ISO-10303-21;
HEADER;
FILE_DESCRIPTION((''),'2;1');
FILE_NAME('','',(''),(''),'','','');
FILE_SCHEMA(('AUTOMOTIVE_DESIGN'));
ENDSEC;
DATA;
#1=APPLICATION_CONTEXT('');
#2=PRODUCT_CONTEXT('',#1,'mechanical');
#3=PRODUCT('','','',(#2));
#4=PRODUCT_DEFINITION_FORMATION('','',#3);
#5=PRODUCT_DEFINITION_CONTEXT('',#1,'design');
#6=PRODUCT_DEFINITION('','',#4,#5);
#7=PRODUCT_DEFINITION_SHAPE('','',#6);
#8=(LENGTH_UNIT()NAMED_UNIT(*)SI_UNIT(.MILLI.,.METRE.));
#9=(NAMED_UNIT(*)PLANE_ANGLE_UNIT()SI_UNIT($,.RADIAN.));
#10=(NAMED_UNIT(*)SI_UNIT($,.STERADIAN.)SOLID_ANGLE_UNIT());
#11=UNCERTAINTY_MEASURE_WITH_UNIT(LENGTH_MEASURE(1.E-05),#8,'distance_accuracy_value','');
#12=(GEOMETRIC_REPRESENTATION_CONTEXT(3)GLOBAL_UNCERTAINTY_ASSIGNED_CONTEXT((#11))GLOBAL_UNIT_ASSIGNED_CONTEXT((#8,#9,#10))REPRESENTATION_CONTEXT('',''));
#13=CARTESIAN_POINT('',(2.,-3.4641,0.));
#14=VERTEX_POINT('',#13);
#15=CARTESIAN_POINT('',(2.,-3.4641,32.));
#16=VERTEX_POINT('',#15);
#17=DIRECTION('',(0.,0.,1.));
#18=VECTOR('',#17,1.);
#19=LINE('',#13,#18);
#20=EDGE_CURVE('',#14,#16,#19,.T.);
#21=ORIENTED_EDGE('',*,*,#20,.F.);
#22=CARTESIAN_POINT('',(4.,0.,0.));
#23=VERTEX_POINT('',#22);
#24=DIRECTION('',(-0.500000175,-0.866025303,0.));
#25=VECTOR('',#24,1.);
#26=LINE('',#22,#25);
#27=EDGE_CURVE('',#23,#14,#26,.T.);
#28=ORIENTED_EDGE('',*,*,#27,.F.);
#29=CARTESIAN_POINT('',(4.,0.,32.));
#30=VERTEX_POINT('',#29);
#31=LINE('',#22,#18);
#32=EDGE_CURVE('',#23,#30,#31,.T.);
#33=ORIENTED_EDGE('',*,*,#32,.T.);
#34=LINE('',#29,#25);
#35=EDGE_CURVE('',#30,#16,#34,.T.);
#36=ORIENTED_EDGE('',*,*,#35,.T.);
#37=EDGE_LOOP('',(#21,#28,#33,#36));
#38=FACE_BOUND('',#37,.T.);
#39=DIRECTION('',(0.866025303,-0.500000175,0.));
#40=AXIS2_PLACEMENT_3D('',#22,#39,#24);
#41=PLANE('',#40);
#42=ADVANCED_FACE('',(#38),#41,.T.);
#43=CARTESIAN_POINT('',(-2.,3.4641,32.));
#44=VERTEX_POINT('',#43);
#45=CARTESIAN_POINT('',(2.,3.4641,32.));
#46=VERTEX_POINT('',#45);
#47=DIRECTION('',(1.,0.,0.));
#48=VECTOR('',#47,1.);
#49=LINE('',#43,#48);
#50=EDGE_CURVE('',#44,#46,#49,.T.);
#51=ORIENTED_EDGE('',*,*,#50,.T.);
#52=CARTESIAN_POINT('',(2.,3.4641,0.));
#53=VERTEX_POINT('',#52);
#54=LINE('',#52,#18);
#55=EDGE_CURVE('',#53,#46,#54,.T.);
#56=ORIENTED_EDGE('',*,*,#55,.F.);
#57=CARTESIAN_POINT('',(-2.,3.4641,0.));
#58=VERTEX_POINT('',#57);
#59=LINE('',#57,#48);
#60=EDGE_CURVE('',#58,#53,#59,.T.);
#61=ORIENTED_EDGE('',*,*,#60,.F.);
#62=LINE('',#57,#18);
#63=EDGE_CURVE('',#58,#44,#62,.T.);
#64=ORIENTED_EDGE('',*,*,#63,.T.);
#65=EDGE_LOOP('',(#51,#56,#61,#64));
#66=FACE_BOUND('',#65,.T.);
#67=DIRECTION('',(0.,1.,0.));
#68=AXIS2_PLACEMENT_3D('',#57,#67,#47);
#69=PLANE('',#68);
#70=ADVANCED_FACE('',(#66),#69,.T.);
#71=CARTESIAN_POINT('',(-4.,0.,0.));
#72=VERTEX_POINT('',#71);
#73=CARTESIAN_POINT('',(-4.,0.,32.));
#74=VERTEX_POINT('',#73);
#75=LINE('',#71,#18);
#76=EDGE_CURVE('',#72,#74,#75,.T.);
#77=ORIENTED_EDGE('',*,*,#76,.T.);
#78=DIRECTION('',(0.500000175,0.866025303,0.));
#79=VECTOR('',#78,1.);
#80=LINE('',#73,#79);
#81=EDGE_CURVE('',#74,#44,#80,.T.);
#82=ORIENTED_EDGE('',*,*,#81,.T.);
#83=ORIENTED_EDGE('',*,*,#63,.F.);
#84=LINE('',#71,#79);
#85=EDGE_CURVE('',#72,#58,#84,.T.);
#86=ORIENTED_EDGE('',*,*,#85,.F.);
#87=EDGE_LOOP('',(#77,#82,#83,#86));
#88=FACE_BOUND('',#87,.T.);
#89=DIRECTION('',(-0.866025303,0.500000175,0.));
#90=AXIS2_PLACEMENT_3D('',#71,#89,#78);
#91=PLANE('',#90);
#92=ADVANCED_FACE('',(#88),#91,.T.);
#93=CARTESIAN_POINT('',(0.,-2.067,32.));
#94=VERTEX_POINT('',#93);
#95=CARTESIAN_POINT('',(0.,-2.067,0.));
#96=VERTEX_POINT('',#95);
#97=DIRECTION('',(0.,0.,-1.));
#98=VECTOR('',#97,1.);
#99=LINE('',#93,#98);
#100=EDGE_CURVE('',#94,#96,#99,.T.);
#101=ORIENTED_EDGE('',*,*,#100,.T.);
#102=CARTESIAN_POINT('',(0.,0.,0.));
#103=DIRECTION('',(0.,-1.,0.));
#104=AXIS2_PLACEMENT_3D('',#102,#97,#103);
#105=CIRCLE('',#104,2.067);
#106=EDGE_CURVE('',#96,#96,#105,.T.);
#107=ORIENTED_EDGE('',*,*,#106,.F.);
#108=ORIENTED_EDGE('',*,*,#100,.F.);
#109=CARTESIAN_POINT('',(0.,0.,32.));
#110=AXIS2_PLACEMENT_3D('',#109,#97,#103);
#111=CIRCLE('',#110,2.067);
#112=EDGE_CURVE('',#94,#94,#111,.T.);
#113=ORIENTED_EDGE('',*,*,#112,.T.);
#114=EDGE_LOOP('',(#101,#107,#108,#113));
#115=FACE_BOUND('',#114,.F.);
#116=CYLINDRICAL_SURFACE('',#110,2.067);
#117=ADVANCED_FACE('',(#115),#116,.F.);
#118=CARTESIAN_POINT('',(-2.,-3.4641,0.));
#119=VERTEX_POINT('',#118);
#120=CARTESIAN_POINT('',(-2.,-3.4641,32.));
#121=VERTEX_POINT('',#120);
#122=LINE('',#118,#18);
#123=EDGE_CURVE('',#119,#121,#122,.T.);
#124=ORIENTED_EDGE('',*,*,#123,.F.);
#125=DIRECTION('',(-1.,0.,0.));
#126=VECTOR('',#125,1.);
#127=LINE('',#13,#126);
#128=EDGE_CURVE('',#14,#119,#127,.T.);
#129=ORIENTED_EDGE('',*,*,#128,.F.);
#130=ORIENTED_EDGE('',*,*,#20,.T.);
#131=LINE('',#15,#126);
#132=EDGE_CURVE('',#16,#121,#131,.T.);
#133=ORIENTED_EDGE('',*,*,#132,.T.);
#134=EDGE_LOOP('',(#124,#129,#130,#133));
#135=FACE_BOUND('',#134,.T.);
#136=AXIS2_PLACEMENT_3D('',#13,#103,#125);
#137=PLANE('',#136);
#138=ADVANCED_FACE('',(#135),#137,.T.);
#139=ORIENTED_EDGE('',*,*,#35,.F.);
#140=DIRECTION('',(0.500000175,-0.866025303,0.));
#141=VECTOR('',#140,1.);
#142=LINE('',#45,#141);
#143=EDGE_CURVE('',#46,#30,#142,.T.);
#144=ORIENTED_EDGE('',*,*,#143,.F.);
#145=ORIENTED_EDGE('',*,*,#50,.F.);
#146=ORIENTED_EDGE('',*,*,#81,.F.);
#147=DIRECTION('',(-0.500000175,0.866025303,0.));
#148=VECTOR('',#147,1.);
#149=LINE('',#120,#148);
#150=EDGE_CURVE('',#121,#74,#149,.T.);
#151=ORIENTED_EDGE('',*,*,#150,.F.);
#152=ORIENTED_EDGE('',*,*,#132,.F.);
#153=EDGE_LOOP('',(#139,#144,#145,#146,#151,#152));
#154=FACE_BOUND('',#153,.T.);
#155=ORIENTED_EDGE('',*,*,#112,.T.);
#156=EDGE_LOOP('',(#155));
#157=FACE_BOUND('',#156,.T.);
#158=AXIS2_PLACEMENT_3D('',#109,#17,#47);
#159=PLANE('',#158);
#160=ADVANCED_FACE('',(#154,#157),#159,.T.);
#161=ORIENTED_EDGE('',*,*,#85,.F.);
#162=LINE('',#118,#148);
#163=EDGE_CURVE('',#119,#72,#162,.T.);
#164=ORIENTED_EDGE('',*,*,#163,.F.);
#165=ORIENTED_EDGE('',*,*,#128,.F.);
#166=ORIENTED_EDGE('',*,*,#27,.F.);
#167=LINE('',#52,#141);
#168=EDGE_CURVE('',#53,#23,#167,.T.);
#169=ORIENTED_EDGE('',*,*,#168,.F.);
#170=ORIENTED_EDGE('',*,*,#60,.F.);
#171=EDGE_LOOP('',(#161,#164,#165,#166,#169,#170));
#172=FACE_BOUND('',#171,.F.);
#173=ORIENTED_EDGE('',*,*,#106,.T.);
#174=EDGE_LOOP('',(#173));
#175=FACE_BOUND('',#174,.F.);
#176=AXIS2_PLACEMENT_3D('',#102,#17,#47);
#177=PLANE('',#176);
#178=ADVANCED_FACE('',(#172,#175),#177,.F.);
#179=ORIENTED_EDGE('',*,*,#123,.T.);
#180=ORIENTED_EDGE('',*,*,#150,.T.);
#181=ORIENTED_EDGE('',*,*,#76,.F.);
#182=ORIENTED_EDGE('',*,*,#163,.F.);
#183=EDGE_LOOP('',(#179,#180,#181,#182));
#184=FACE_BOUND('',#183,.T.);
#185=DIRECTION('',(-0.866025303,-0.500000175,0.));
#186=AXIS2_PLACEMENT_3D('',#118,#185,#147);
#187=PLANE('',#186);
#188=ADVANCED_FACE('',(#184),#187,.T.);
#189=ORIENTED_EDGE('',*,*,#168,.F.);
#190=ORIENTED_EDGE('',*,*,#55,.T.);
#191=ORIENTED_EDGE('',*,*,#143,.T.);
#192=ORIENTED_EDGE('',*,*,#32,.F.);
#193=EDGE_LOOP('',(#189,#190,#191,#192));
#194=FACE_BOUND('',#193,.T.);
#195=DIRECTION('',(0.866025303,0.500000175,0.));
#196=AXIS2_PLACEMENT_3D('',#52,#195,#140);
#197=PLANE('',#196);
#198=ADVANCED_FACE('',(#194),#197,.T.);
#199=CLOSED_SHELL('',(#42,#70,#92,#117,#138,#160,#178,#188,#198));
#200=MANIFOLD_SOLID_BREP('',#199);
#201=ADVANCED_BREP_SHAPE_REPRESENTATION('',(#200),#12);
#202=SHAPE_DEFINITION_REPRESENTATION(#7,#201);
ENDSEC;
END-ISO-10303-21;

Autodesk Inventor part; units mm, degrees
ref_plane "YZ Plane" through (0, 0, 0) normal (1, 0, 0) x (0, 1, 0)
ref_plane "XZ Plane" through (0, 0, 0) normal (0, 1, 0) x (-1, 0, 0)
ref_plane "XY Plane" through (0, 0, 0) normal (0, 0, 1) x (1, 0, 0)
sketch "Base" plane through (0, 0, 0) normal (0, 0, 1) x (1, 0, 0)
  circle A0 centre (0, 0) radius 2.5 construction
  circle A1 centre (0, 0) radius 4 construction
  line L0 (2, 3.4641) -> (4, 0)
  line L1 (4, 0) -> (2, -3.4641)
  line L2 (2, -3.4641) -> (-2, -3.4641)
  line L3 (-2, -3.4641) -> (-4, 0)
  line L4 (-4, 0) -> (-2, 3.4641)
  line L5 (-2, 3.4641) -> (2, 3.4641)
  line L6 (-5.6, 0) -> (5.6, 0) projected
  dimension "d1" = 8
  dimension "d0" = 5
extrude "BaseFeature" add sketch "Base" along normal blind 32
sketch "MountHole" plane through (0, 0, 32) normal (0, 0, 1) x (1, 0, 0)
  point P0 (0, 0)
hole "MountHoleFeature" at (0, 0, 32) direction (0, 0, -1) diameter 4.134 end through all thread size "M5x0.8" class "6H" standard "ISO Metric profile"
properties part number "M5-Standoff-32mm"
